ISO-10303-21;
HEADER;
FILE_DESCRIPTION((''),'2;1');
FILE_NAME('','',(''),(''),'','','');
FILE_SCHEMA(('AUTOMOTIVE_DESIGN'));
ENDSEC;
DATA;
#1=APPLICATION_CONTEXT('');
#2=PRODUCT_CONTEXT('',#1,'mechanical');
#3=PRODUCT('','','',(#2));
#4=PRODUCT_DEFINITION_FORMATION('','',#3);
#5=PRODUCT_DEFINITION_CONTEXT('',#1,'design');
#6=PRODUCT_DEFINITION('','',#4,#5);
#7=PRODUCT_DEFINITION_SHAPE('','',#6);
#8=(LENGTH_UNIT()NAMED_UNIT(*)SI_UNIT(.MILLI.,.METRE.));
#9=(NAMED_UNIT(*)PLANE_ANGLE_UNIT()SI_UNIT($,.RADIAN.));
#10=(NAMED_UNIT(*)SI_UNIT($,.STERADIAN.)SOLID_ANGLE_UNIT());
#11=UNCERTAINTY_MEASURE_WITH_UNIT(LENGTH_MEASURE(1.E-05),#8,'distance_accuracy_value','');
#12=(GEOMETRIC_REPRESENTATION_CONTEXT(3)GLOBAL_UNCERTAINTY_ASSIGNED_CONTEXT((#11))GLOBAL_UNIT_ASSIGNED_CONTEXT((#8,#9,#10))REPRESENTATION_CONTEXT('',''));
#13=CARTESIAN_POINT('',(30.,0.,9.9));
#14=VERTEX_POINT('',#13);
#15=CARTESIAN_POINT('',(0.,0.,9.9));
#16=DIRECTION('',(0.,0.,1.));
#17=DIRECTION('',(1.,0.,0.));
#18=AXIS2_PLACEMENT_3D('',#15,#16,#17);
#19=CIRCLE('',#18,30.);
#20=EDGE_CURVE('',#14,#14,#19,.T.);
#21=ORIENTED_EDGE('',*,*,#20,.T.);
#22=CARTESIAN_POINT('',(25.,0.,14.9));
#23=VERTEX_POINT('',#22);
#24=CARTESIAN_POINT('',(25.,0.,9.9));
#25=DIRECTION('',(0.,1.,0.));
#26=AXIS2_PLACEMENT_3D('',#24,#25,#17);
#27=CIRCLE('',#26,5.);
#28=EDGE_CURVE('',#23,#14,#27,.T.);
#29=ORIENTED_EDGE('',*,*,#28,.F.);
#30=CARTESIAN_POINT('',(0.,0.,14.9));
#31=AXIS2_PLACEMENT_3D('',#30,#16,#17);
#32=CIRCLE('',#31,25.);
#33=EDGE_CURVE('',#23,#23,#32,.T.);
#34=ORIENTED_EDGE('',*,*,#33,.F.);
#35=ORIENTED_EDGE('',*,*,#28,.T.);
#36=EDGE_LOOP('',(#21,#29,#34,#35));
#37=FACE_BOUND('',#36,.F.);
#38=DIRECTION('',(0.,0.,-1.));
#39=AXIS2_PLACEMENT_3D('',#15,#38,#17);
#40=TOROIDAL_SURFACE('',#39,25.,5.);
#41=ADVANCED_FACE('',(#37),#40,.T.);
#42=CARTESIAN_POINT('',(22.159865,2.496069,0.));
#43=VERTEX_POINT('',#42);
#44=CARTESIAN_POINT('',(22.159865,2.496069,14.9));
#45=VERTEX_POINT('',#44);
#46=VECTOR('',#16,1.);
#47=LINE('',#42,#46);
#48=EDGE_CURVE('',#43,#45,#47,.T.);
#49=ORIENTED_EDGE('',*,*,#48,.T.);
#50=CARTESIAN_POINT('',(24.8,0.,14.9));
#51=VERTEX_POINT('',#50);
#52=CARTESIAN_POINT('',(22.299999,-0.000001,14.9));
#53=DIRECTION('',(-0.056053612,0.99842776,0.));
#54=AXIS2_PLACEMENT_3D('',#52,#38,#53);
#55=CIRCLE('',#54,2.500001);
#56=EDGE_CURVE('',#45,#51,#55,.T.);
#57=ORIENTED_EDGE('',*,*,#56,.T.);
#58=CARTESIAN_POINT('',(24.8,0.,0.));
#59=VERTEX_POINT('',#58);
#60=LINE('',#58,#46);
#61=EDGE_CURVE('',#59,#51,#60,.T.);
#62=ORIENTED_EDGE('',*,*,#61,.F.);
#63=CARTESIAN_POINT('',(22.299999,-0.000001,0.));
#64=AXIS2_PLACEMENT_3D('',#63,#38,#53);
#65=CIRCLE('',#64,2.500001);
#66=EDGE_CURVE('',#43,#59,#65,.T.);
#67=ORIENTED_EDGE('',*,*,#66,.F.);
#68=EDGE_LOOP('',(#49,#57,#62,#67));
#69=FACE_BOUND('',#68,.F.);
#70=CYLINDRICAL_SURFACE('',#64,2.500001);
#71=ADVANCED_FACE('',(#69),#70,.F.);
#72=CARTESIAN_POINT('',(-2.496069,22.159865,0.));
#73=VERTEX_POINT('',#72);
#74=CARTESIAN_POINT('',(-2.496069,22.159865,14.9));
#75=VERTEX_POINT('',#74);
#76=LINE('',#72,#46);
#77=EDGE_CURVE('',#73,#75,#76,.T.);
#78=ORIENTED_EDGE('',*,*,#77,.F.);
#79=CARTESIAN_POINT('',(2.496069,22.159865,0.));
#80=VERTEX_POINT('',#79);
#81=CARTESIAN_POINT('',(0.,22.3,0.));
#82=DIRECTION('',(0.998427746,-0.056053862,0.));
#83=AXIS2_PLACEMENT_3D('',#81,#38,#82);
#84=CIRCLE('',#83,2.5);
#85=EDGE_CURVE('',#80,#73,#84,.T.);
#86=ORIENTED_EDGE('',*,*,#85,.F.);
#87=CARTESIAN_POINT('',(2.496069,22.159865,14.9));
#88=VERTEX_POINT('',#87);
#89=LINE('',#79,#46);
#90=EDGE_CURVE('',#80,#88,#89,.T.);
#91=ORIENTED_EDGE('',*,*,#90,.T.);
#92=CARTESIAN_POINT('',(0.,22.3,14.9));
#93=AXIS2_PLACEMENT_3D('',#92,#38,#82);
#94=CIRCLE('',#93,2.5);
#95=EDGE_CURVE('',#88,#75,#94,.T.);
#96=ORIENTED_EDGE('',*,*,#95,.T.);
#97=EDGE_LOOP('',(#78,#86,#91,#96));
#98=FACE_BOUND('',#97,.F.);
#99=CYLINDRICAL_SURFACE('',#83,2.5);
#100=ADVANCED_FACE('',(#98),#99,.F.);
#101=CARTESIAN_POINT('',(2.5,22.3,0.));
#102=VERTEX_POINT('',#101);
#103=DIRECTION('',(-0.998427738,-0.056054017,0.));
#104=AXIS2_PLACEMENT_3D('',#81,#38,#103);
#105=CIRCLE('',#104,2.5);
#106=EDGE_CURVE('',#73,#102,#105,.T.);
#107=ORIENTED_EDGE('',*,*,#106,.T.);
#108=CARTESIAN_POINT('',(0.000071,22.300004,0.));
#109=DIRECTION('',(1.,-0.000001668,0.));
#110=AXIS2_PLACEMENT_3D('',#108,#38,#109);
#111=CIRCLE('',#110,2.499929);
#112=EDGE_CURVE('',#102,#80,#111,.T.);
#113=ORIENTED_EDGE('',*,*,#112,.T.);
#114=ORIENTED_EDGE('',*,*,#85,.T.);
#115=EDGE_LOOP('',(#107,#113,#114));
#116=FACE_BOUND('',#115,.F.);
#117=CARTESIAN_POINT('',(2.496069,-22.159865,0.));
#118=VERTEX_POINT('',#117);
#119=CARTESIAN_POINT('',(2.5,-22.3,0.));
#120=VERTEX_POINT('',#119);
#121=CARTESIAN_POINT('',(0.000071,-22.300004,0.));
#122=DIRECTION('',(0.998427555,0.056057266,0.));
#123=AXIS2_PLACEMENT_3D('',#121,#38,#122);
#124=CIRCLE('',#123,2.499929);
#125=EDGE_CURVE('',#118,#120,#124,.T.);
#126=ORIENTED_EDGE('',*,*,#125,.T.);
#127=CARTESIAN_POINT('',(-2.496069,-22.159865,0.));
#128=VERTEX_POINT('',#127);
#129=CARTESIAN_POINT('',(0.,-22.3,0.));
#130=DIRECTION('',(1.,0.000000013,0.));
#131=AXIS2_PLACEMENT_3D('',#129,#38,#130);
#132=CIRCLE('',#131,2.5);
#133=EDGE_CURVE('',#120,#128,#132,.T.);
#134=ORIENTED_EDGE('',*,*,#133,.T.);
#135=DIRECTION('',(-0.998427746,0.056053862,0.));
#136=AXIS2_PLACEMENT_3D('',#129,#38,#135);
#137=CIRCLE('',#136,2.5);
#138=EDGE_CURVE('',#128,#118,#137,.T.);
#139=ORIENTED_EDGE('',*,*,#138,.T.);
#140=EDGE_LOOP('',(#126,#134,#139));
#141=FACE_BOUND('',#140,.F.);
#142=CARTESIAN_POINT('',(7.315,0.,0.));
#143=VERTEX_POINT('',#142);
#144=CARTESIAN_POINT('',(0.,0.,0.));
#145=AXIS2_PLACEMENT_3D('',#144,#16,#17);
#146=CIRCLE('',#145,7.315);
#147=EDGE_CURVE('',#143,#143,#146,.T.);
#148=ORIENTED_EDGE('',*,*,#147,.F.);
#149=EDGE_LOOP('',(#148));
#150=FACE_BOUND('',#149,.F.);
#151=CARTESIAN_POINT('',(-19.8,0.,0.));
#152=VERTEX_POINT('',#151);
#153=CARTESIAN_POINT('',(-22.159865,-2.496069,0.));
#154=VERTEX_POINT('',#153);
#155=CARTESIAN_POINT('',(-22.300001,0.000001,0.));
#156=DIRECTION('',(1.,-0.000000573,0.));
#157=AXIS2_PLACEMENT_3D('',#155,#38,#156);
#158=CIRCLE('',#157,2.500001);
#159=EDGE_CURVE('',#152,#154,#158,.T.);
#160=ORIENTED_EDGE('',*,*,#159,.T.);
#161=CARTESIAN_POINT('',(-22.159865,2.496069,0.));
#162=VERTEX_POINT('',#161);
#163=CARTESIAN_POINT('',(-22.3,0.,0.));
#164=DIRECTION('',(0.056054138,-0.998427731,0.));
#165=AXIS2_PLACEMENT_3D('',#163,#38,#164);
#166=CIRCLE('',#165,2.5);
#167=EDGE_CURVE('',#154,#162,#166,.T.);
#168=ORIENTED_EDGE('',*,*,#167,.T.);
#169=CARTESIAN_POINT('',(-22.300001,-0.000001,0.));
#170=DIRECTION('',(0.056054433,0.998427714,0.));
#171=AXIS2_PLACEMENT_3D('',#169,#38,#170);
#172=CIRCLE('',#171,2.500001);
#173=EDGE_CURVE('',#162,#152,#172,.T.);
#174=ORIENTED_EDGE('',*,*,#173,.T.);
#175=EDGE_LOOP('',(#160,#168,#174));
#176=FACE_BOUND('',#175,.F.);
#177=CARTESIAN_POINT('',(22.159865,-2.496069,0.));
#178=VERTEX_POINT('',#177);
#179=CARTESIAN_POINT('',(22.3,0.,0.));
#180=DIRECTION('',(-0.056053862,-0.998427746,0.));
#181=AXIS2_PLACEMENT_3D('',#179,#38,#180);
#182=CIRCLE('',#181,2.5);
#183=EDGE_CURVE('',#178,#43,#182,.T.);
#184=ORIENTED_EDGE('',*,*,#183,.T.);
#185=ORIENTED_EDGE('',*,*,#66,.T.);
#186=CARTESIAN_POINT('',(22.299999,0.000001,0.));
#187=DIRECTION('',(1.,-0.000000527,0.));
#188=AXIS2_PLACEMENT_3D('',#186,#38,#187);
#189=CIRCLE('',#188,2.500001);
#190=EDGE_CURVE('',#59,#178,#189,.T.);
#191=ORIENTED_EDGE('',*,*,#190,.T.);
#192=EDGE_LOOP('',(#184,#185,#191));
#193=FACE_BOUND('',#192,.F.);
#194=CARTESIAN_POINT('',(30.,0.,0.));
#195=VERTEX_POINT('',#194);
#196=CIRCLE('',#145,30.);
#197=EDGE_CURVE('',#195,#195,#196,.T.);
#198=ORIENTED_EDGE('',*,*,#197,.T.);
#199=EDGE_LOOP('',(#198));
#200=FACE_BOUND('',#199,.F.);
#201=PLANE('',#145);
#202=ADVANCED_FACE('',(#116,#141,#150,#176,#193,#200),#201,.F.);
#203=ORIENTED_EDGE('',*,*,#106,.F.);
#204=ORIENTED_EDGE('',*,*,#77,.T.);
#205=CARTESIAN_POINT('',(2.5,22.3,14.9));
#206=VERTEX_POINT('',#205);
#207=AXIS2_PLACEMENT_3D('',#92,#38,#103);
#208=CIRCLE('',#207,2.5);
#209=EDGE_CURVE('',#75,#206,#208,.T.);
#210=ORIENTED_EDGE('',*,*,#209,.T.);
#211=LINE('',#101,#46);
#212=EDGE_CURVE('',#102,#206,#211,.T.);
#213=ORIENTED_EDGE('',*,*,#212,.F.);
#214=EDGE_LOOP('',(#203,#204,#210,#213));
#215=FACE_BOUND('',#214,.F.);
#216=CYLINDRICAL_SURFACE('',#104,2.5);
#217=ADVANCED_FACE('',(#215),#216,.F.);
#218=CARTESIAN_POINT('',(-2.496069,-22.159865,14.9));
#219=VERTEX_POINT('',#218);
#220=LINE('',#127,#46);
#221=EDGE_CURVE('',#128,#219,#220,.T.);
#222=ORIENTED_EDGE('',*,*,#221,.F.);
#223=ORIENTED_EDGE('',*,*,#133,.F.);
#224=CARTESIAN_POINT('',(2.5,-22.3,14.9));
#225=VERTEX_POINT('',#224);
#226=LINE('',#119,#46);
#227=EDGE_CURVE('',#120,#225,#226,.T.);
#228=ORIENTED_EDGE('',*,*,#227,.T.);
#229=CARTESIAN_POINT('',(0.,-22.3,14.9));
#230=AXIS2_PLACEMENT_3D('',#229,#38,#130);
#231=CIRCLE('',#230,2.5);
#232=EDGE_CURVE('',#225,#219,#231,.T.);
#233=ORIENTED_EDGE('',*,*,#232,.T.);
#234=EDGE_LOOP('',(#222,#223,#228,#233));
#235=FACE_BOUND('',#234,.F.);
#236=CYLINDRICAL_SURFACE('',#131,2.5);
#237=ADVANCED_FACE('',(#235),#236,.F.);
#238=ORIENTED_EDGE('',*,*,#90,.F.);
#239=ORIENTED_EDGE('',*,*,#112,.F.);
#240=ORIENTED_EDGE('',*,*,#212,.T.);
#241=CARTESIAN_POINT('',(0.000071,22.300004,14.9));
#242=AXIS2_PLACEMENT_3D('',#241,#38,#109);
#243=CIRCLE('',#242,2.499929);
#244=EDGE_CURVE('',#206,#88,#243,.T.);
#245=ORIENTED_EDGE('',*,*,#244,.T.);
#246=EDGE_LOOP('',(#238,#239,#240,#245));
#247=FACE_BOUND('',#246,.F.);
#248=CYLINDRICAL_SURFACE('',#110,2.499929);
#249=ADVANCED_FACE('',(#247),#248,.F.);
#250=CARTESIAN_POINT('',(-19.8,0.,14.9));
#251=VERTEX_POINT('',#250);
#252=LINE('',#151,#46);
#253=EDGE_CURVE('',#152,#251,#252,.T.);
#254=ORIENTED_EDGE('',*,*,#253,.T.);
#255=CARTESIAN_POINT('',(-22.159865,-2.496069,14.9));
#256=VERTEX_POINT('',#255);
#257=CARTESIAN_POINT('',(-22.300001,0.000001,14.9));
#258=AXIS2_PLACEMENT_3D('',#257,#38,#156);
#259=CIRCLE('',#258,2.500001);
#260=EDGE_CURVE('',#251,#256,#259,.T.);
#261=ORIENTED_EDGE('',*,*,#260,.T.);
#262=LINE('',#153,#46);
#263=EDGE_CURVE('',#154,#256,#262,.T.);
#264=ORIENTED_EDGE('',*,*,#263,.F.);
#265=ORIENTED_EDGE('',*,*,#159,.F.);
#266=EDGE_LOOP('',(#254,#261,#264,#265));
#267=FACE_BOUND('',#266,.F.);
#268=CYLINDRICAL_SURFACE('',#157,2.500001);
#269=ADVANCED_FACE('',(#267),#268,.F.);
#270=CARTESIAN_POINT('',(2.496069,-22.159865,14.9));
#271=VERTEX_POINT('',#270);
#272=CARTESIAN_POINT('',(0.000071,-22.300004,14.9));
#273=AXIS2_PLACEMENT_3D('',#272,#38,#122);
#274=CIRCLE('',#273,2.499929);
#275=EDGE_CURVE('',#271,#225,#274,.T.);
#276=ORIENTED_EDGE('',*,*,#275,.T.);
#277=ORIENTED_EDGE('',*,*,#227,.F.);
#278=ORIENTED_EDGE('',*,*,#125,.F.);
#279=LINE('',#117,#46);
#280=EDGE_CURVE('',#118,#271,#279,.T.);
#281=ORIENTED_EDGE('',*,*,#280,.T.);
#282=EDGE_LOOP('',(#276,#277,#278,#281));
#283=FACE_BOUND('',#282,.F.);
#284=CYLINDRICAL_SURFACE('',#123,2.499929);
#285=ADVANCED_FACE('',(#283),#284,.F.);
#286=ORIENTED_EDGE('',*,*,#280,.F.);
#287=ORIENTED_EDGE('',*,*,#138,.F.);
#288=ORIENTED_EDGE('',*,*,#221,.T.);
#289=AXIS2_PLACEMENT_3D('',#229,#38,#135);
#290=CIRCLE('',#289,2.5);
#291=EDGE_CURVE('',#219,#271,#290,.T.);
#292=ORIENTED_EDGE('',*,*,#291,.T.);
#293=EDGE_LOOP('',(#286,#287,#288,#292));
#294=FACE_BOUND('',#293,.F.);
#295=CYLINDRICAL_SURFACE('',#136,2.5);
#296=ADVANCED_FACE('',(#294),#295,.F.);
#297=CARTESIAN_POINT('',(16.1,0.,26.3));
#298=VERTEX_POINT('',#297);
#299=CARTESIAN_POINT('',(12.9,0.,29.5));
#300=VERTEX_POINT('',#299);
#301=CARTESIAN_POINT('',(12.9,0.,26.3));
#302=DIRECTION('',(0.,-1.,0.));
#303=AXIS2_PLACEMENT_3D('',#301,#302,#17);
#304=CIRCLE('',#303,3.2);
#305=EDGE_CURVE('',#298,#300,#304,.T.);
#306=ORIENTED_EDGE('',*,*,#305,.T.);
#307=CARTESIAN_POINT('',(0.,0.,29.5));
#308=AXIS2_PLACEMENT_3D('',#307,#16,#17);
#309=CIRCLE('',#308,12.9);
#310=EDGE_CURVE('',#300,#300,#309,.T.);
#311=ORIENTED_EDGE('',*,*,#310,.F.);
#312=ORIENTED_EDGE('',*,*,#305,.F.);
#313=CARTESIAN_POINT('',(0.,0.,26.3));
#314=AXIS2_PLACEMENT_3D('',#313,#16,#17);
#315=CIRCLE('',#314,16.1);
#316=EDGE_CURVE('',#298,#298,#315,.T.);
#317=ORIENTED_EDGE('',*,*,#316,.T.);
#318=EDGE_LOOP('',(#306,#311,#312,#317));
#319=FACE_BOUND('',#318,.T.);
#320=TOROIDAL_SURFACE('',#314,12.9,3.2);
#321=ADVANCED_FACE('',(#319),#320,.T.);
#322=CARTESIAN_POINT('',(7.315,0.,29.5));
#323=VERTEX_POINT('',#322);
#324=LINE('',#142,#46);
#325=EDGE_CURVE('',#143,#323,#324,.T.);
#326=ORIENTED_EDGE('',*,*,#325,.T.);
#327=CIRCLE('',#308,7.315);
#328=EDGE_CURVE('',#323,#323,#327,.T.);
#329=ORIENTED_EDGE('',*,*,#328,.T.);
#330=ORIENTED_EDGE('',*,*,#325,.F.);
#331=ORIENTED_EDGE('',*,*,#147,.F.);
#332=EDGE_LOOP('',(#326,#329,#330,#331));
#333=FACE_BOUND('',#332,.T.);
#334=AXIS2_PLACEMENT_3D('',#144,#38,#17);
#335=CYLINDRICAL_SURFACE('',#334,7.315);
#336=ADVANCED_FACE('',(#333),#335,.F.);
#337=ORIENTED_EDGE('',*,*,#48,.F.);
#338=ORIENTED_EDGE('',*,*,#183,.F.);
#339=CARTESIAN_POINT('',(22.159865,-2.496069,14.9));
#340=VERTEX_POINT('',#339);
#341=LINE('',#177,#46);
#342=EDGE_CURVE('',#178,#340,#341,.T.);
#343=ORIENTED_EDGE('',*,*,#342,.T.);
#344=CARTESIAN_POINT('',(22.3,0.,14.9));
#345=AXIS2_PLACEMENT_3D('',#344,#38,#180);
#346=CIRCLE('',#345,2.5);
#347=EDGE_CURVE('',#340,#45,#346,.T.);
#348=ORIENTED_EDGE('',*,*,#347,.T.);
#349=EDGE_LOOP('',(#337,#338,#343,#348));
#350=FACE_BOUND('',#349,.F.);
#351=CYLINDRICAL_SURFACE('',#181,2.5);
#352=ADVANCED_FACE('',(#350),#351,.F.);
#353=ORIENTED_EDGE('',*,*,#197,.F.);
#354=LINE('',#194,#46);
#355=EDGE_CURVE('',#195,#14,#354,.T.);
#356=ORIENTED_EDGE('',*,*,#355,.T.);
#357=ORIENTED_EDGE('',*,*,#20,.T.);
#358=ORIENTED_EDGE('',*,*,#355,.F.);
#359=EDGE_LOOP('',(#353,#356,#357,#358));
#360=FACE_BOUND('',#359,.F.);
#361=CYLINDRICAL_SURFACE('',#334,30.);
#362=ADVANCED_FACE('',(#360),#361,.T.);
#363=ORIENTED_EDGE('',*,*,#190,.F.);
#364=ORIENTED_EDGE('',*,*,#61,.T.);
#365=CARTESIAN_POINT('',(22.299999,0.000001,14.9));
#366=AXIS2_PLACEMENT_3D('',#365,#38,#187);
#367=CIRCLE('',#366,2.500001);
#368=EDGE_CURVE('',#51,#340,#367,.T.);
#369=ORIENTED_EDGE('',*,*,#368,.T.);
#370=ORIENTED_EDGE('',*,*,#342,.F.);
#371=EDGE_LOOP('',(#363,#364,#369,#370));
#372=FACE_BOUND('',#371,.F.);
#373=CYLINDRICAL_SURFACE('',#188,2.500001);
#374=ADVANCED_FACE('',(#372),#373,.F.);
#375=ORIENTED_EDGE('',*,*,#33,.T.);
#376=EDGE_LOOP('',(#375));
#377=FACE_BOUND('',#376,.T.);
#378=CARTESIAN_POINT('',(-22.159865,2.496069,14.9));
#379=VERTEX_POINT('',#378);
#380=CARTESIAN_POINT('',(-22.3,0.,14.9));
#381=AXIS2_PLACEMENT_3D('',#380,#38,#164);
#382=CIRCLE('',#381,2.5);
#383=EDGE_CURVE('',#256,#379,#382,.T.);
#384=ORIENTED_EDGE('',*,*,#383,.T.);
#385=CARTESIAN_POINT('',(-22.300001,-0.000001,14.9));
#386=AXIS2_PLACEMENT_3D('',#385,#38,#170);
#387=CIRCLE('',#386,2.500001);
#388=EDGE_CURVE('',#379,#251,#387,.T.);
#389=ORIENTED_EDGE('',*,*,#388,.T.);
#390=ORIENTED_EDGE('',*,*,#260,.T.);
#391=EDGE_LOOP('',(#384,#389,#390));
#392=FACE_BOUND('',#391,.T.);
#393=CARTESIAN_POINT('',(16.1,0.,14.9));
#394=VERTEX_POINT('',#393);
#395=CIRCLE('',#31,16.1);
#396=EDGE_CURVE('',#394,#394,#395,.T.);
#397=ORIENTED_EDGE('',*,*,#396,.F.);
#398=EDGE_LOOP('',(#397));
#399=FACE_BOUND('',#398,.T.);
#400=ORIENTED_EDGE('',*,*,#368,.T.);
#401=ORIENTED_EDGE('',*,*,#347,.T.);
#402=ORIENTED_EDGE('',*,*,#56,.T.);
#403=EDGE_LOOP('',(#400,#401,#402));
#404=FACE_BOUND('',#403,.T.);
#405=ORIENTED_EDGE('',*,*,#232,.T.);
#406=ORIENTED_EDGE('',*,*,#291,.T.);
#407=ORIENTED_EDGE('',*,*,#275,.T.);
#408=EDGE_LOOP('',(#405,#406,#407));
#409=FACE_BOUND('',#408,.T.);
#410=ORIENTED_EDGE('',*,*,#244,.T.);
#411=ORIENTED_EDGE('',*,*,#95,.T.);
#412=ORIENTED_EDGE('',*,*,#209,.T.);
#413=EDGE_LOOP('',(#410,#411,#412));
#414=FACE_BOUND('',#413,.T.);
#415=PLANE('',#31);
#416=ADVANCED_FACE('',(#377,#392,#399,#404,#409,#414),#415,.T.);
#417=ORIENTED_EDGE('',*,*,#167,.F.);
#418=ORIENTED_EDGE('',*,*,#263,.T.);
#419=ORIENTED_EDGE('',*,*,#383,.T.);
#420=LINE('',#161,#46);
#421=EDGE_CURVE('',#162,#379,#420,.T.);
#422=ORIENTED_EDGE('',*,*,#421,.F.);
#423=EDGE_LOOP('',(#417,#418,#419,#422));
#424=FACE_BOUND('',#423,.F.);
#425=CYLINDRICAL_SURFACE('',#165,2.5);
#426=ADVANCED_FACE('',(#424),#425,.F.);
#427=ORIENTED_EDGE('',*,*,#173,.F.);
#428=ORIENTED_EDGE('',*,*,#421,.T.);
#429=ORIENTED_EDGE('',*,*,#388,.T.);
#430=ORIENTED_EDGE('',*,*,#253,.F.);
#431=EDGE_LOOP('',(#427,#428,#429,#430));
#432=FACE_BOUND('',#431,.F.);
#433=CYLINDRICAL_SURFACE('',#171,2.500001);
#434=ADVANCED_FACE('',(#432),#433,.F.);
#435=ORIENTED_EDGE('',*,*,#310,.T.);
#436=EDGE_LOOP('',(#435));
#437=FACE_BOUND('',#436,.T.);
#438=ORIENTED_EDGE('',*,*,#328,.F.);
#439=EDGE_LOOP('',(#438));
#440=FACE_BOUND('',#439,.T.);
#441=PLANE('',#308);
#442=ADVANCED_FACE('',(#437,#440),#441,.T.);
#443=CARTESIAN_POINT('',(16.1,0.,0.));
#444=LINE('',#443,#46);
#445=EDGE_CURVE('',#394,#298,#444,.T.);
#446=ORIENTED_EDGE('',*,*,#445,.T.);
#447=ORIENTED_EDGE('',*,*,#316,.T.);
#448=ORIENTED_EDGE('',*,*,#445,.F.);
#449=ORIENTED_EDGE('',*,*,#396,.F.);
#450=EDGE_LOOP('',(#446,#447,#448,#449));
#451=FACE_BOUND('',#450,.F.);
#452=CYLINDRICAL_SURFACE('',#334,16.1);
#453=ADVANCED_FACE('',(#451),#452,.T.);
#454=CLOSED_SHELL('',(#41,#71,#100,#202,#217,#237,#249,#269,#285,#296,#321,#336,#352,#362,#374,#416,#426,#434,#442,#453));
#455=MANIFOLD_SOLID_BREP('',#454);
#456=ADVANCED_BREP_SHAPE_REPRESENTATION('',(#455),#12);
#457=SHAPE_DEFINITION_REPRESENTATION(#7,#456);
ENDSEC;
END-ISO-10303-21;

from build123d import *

# Parameters (mm, degrees)
F0_R     = 30
F0_R_2   = 16.1
F1_DEPTH = 14.9
F0_R_3   = 7.315
F2_DEPTH = 29.5
F3_R     = 5
F4_R     = 3.2


with BuildPart() as f1:
    # F0 (on Top) → F1 (new body)
    with BuildSketch(Plane.XY):
        Circle(F0_R)
        with BuildLine():
            ThreePointArc((-22.159865, -2.496069), (-24.8, 0), (-22.159865, 2.496069))
            ThreePointArc((-22.159865, 2.496069), (-15.768481, 15.768481), (-2.496069, 22.159865))
            ThreePointArc((-2.496069, 22.159865), (-0.070095, 24.799017), (2.5, 22.3))
            ThreePointArc((2.5, 22.3), (2.499017, 22.229905), (2.496069, 22.159865))
            ThreePointArc((2.496069, 22.159865), (15.768481, 15.768481), (22.159865, 2.496069))
            ThreePointArc((22.159865, 2.496069), (24.017507, 1.816636), (24.8, 0))
            ThreePointArc((24.8, 0), (24.017507, -1.816636), (22.159865, -2.496069))
            ThreePointArc((22.159865, -2.496069), (15.768481, -15.768481), (2.496069, -22.159865))
            ThreePointArc((2.496069, -22.159865), (2.499017, -22.229905), (2.5, -22.3))
            ThreePointArc((2.5, -22.3), (-0.070095, -24.799017), (-2.496069, -22.159865))
            ThreePointArc((-2.496069, -22.159865), (-15.768481, -15.768481), (-22.159865, -2.496069))
        make_face(mode=Mode.SUBTRACT)
        with BuildLine():
            ThreePointArc((-22.159865, 2.496069), (-20.483364, 1.717507), (-19.8, 0))
            ThreePointArc((-19.8, 0), (-20.483364, -1.717507), (-22.159865, -2.496069))
            ThreePointArc((-22.159865, -2.496069), (-15.768481, -15.768481), (-2.496069, -22.159865))
            ThreePointArc((-2.496069, -22.159865), (0, -19.8), (2.496069, -22.159865))
            ThreePointArc((2.496069, -22.159865), (15.768481, -15.768481), (22.159865, -2.496069))
            ThreePointArc((22.159865, -2.496069), (19.8, 0), (22.159865, 2.496069))
            ThreePointArc((22.159865, 2.496069), (15.768481, 15.768481), (2.496069, 22.159865))
            ThreePointArc((2.496069, 22.159865), (0, 19.8), (-2.496069, 22.159865))
            ThreePointArc((-2.496069, 22.159865), (-15.768481, 15.768481), (-22.159865, 2.496069))
        make_face()
        Circle(F0_R_2, mode=Mode.SUBTRACT)
    extrude(amount=F1_DEPTH)

    # F0 (on Top) → F2 (join)
    with BuildSketch(Plane.XY):
        Circle(F0_R_2)
        Circle(F0_R_3, mode=Mode.SUBTRACT)
    extrude(amount=F2_DEPTH)

    # F3
    f3_edges = [f1.edges().sort_by_distance(p)[0] for p in [
        (-30, 0, 14.9),
    ]]
    fillet(f3_edges, radius=F3_R)

    # F4
    f4_edges = [f1.edges().sort_by_distance(p)[0] for p in [
        (-16.1, 0, 29.5),
    ]]
    fillet(f4_edges, radius=F4_R)


solid = f1.part
